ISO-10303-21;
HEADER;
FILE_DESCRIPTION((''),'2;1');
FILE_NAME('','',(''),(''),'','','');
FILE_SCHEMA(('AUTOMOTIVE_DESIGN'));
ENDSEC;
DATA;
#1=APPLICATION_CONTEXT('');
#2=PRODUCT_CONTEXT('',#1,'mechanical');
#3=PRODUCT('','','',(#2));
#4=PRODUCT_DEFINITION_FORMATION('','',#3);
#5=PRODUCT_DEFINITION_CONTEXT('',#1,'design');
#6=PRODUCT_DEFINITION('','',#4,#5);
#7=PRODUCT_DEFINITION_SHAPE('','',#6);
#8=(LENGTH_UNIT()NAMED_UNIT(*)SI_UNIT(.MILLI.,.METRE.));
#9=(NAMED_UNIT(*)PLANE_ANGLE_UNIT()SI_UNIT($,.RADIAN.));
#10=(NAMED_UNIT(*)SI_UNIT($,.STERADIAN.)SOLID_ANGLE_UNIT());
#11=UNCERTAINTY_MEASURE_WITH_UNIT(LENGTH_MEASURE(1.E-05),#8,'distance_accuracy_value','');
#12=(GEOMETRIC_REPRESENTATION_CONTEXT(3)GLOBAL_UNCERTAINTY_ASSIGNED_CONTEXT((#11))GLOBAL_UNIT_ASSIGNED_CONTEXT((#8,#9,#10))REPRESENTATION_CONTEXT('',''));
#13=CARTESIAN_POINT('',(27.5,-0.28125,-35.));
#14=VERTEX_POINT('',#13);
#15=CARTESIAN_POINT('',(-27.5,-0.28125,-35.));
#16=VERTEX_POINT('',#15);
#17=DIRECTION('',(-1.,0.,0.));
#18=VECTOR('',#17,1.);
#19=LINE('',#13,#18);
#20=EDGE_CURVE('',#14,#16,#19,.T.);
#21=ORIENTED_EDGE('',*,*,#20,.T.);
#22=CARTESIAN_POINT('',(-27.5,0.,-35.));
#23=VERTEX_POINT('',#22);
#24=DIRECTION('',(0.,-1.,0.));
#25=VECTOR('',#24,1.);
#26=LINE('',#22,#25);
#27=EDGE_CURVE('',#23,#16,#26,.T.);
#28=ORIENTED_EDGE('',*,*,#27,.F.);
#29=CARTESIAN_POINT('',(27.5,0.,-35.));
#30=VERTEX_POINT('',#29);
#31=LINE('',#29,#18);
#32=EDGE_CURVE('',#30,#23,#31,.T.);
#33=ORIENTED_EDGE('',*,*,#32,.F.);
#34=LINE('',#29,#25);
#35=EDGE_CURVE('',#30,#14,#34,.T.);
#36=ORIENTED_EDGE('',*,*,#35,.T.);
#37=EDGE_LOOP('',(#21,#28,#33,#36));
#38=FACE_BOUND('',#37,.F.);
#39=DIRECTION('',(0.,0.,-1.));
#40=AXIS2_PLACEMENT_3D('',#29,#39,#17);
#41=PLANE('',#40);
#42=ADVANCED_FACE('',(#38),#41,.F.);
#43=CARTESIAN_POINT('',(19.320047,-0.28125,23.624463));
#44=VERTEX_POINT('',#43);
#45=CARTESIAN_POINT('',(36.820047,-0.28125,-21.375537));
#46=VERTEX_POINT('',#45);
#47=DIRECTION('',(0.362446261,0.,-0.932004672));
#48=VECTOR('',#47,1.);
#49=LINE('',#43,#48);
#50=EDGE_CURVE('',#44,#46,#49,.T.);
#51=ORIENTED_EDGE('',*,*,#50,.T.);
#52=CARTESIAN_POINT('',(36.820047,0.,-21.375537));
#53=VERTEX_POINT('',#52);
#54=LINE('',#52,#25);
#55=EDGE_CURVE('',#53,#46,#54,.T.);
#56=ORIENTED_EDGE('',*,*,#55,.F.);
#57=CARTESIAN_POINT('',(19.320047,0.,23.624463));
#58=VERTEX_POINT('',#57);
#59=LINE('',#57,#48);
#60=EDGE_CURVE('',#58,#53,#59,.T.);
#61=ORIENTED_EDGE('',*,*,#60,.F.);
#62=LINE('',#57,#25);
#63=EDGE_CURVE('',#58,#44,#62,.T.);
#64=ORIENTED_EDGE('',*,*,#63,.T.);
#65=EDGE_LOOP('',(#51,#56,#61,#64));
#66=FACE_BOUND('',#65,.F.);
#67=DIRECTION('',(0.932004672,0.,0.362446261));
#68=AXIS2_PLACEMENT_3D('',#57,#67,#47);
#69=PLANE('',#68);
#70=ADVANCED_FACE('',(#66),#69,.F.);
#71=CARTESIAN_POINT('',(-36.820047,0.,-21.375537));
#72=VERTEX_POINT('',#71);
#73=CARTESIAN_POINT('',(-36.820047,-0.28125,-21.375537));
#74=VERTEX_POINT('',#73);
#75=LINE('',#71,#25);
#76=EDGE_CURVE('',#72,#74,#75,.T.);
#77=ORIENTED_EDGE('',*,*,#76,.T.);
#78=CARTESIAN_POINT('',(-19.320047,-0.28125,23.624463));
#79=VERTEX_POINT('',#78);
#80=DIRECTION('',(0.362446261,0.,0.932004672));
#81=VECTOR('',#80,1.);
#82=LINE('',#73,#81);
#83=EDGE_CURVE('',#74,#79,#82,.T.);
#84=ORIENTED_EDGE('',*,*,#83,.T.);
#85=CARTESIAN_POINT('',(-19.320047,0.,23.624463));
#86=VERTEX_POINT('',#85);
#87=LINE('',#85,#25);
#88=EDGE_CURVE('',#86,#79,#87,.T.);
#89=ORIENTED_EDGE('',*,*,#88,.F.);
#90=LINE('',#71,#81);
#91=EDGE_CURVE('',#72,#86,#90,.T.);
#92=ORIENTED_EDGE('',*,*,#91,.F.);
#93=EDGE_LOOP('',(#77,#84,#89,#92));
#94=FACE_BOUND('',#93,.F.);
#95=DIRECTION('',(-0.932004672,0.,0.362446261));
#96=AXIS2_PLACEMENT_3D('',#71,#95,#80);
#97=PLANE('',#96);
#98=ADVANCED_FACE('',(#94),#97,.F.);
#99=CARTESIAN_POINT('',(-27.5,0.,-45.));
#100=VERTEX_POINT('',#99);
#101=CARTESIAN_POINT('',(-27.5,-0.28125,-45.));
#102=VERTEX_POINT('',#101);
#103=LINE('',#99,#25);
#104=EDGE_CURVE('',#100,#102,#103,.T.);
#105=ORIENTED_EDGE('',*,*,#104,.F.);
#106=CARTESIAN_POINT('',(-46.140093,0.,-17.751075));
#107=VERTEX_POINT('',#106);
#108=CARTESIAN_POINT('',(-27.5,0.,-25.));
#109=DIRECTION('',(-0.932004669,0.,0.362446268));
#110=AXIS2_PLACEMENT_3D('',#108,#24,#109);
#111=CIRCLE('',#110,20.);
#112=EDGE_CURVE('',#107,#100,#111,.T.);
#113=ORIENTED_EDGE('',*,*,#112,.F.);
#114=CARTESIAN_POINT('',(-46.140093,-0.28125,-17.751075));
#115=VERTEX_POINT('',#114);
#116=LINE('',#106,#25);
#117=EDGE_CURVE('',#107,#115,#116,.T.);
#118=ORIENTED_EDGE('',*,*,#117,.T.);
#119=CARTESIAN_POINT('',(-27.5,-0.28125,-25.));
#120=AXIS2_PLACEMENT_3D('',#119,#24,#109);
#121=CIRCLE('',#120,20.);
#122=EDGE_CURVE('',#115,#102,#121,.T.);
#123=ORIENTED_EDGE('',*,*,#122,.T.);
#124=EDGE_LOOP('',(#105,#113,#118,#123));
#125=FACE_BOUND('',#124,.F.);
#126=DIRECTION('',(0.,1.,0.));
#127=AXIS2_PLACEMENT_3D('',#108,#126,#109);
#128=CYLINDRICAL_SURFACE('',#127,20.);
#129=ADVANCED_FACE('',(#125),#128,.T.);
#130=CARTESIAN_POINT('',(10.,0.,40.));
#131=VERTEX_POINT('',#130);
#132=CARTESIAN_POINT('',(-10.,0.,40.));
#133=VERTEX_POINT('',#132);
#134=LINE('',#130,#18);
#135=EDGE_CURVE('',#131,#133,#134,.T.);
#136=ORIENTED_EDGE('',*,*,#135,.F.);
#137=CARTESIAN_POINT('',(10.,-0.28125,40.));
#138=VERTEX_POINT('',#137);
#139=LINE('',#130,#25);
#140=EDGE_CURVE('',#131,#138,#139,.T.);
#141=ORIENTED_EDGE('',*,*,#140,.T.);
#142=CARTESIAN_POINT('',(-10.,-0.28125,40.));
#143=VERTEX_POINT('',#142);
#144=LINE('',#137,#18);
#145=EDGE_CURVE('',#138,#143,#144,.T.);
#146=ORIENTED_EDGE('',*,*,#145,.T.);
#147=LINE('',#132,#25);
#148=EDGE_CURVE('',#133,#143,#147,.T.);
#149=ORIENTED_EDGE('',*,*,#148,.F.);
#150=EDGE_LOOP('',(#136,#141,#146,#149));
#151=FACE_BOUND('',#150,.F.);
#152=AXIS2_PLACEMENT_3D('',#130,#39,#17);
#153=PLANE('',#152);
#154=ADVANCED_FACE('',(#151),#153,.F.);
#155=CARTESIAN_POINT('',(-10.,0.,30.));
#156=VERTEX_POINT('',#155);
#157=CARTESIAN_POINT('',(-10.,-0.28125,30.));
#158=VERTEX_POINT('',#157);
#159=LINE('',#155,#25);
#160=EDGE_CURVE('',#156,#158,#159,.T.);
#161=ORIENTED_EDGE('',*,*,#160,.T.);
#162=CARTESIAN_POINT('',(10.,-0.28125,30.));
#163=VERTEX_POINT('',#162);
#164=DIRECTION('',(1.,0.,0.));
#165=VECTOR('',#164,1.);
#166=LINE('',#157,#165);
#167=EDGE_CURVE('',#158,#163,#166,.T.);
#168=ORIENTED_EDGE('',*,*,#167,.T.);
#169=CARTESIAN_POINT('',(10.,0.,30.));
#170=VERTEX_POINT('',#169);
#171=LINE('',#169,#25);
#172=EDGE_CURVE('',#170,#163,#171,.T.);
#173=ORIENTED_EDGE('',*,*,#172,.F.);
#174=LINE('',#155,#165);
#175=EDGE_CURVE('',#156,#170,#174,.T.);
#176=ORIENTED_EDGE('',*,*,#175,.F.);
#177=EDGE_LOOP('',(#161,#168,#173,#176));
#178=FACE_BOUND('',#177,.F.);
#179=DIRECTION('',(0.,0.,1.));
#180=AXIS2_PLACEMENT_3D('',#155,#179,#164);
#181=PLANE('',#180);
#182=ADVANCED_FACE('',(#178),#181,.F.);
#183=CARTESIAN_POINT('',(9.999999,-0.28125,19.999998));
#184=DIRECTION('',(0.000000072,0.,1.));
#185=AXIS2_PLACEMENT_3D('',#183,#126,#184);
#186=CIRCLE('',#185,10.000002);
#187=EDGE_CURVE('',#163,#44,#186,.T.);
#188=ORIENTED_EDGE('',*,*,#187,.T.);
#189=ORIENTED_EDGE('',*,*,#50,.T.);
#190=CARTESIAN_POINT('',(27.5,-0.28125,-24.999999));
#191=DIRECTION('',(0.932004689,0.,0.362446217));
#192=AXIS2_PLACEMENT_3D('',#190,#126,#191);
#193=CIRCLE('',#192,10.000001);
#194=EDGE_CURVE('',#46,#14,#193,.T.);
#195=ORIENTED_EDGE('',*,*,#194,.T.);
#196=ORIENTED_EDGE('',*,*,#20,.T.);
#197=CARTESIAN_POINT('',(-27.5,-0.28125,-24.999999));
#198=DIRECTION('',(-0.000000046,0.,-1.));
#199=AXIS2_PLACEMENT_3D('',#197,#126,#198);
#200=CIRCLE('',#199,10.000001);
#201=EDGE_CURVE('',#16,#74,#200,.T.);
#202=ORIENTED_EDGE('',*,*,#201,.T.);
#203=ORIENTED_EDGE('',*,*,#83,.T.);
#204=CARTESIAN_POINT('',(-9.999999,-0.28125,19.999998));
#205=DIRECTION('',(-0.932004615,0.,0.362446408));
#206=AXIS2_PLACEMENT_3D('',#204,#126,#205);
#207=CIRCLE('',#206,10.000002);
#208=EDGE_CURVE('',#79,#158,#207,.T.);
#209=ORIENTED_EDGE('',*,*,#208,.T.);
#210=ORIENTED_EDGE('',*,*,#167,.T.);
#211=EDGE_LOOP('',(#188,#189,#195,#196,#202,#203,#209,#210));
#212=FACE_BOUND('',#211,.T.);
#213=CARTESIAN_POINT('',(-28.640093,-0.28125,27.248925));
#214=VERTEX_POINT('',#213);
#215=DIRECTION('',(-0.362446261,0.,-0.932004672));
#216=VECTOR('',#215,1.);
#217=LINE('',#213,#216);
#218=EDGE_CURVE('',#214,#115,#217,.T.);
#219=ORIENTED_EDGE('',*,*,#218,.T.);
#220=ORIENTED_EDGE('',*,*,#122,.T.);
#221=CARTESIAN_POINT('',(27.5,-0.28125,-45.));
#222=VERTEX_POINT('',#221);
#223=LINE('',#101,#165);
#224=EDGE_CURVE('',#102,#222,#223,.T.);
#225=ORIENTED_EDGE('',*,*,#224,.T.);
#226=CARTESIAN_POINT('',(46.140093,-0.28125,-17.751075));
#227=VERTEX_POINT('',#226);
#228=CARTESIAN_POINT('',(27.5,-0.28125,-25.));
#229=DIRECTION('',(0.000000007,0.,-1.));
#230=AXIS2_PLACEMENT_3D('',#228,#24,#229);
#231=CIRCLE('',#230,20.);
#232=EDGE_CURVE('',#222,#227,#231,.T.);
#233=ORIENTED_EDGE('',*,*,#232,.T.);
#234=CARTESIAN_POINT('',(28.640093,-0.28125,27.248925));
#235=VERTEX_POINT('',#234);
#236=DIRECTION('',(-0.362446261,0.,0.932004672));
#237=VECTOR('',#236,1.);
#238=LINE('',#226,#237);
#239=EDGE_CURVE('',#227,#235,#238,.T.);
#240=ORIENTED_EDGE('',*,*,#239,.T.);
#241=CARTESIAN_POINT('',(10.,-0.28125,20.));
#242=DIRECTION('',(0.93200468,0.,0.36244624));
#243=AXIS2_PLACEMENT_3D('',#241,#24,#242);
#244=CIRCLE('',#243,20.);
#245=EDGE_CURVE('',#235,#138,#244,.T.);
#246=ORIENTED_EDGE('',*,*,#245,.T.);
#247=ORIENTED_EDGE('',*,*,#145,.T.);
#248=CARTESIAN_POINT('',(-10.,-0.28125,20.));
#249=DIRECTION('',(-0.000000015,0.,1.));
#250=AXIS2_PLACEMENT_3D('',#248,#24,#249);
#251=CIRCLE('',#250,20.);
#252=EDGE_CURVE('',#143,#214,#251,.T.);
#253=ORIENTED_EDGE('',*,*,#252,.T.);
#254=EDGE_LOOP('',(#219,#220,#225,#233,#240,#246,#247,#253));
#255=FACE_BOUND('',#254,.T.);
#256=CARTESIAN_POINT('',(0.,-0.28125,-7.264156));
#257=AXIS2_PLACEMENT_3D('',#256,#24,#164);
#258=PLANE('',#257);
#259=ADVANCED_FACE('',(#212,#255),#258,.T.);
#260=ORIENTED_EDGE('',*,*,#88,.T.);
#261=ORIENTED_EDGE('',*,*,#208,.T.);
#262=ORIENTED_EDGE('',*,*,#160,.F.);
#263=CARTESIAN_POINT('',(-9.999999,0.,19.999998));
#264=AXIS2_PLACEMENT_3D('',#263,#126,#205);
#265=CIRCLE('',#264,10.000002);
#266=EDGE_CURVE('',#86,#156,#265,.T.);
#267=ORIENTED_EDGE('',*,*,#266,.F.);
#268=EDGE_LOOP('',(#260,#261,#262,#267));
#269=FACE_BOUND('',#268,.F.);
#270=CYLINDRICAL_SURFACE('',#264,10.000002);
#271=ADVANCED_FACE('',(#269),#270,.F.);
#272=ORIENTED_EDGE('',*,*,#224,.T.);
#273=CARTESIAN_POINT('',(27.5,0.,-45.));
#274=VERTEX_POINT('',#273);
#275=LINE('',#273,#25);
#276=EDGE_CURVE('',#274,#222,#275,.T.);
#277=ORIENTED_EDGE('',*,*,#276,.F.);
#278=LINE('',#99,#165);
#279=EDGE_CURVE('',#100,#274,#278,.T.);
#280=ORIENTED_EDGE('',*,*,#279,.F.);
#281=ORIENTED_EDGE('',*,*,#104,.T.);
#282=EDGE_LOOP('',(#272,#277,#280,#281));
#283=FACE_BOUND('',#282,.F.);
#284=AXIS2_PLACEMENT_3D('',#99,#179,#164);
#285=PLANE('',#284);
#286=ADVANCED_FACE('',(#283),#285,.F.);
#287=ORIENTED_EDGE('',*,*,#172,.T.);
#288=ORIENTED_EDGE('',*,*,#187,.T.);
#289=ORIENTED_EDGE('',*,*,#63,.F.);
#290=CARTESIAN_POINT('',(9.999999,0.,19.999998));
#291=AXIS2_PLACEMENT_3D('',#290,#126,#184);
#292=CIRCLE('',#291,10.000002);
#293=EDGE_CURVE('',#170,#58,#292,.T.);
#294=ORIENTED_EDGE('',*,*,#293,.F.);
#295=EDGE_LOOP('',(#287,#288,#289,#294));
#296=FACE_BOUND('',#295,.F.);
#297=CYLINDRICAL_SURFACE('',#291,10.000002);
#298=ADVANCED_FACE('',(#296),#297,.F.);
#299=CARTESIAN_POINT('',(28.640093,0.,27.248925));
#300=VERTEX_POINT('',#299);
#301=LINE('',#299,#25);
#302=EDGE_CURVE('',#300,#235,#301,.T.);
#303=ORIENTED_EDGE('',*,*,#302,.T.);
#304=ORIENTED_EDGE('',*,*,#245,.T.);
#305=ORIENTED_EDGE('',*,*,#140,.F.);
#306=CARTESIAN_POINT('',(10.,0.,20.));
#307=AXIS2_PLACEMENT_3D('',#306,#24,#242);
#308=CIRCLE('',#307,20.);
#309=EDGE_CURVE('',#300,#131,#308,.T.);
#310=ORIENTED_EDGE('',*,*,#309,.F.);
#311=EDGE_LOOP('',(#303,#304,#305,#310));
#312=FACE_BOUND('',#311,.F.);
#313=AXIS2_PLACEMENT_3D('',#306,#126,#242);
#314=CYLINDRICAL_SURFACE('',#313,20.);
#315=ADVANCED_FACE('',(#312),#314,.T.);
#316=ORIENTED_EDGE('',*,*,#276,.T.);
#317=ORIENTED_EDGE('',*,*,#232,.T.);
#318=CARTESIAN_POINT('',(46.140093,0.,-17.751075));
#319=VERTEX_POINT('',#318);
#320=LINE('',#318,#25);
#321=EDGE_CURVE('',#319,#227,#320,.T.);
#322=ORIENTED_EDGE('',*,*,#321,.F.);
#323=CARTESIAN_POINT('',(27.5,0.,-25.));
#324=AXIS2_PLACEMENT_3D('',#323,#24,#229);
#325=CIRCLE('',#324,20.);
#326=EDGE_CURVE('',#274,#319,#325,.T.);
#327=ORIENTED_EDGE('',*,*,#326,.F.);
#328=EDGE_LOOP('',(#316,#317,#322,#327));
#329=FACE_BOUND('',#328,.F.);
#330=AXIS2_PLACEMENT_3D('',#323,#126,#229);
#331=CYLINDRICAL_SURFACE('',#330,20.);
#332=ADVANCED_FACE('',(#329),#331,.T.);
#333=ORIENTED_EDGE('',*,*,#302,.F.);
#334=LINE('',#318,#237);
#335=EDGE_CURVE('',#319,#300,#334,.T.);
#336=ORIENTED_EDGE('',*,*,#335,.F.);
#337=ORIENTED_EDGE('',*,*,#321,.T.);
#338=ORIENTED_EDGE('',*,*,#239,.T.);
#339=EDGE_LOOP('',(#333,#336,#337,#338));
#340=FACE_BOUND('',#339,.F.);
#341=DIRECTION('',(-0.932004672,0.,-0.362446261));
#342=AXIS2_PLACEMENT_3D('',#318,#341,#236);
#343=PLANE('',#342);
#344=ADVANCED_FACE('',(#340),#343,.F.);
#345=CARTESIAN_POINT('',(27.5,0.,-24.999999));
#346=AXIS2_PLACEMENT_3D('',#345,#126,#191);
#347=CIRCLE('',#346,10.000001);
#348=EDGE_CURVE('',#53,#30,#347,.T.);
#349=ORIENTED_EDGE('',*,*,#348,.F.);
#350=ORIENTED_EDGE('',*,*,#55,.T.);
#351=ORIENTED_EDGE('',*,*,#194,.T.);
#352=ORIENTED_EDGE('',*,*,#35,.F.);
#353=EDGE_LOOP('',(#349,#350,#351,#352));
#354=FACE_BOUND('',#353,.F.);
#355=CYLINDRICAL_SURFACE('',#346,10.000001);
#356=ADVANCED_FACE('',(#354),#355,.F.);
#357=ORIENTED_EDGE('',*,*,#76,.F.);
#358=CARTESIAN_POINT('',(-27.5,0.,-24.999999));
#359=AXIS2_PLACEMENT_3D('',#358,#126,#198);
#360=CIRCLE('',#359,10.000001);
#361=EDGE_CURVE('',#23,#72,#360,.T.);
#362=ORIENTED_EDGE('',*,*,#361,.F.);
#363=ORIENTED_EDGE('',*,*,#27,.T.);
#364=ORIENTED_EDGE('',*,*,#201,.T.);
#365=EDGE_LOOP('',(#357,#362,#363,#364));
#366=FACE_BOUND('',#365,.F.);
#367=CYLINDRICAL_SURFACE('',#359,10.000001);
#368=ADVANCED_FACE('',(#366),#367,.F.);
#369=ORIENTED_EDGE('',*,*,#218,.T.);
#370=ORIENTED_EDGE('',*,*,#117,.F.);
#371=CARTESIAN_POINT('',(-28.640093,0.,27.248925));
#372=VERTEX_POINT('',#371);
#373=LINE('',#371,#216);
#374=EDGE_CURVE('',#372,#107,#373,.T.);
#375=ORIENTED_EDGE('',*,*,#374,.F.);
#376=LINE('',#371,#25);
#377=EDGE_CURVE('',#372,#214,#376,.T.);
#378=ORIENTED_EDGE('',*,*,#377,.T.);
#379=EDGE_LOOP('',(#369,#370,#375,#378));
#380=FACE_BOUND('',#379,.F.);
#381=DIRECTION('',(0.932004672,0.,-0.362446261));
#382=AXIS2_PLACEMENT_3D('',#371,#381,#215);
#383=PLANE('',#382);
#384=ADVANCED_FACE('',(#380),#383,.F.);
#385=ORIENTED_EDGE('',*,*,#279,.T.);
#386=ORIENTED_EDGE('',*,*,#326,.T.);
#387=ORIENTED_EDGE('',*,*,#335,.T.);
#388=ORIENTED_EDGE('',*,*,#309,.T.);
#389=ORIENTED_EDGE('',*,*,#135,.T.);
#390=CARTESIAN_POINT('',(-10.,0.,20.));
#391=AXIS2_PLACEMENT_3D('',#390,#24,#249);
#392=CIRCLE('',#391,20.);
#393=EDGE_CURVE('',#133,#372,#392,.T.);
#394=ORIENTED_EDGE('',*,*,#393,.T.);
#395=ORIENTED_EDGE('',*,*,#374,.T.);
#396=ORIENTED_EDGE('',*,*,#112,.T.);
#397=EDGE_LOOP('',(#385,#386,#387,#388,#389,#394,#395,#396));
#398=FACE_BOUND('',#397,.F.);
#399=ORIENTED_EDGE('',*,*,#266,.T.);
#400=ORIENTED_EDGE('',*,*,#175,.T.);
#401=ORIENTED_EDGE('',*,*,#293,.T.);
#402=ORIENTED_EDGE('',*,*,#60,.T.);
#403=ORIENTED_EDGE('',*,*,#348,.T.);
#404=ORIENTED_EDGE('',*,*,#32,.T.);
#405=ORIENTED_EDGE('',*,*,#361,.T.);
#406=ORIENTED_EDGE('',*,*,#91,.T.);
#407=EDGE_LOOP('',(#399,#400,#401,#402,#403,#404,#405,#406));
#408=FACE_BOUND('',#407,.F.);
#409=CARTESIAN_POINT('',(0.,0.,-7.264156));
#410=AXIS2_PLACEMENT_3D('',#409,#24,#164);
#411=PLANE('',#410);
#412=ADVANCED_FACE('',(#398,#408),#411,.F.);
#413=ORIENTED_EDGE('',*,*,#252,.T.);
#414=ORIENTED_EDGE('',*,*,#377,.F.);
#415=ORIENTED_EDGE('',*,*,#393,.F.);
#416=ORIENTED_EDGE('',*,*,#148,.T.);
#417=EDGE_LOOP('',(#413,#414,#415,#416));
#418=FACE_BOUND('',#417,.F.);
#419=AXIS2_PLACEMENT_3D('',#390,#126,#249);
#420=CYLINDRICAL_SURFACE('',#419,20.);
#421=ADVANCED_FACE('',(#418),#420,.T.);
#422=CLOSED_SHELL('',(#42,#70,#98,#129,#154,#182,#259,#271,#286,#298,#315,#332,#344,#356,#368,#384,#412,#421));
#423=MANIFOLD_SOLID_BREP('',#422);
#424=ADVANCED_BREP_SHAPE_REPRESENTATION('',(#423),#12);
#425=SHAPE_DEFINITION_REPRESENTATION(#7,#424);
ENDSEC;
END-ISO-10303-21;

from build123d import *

# Parameters (mm, degrees)
F1_DEPTH = 0.28125


with BuildPart() as f1:
    # F0 (on Front) → F1 (new body)
    with BuildSketch(Plane.XZ):
        with BuildLine():
            ThreePointArc((-46.140093, -17.751075), (-44.007248, -36.292066), (-27.5, -45))
            Line((-27.5, -45), (27.5, -45))
            ThreePointArc((27.5, -45), (44.007248, -36.292066), (46.140093, -17.751075))
            Line((46.140093, -17.751075), (28.640093, 27.248925))
            ThreePointArc((28.640093, 27.248925), (21.292066, 36.507248), (10, 40))
            Line((10, 40), (0, 40))
            Line((0, 40), (-10, 40))
            ThreePointArc((-10, 40), (-21.292066, 36.507248), (-28.640093, 27.248925))
            Line((-28.640093, 27.248925), (-46.140093, -17.751075))
        make_face()
        with BuildLine():
            Line((-10, 30), (0, 30))
            Line((0, 30), (10, 30))
            ThreePointArc((10, 30), (15.646033, 28.253624), (19.320047, 23.624463))
            Line((19.320047, 23.624463), (36.820047, -21.375537))
            ThreePointArc((36.820047, -21.375537), (35.753624, -30.646033), (27.5, -35))
            Line((27.5, -35), (-27.5, -35))
            ThreePointArc((-27.5, -35), (-35.753624, -30.646033), (-36.820047, -21.375537))
            Line((-36.820047, -21.375537), (-19.320047, 23.624463))
            ThreePointArc((-19.320047, 23.624463), (-15.646033, 28.253624), (-10, 30))
        make_face(mode=Mode.SUBTRACT)
    extrude(amount=F1_DEPTH)


solid = f1.part
